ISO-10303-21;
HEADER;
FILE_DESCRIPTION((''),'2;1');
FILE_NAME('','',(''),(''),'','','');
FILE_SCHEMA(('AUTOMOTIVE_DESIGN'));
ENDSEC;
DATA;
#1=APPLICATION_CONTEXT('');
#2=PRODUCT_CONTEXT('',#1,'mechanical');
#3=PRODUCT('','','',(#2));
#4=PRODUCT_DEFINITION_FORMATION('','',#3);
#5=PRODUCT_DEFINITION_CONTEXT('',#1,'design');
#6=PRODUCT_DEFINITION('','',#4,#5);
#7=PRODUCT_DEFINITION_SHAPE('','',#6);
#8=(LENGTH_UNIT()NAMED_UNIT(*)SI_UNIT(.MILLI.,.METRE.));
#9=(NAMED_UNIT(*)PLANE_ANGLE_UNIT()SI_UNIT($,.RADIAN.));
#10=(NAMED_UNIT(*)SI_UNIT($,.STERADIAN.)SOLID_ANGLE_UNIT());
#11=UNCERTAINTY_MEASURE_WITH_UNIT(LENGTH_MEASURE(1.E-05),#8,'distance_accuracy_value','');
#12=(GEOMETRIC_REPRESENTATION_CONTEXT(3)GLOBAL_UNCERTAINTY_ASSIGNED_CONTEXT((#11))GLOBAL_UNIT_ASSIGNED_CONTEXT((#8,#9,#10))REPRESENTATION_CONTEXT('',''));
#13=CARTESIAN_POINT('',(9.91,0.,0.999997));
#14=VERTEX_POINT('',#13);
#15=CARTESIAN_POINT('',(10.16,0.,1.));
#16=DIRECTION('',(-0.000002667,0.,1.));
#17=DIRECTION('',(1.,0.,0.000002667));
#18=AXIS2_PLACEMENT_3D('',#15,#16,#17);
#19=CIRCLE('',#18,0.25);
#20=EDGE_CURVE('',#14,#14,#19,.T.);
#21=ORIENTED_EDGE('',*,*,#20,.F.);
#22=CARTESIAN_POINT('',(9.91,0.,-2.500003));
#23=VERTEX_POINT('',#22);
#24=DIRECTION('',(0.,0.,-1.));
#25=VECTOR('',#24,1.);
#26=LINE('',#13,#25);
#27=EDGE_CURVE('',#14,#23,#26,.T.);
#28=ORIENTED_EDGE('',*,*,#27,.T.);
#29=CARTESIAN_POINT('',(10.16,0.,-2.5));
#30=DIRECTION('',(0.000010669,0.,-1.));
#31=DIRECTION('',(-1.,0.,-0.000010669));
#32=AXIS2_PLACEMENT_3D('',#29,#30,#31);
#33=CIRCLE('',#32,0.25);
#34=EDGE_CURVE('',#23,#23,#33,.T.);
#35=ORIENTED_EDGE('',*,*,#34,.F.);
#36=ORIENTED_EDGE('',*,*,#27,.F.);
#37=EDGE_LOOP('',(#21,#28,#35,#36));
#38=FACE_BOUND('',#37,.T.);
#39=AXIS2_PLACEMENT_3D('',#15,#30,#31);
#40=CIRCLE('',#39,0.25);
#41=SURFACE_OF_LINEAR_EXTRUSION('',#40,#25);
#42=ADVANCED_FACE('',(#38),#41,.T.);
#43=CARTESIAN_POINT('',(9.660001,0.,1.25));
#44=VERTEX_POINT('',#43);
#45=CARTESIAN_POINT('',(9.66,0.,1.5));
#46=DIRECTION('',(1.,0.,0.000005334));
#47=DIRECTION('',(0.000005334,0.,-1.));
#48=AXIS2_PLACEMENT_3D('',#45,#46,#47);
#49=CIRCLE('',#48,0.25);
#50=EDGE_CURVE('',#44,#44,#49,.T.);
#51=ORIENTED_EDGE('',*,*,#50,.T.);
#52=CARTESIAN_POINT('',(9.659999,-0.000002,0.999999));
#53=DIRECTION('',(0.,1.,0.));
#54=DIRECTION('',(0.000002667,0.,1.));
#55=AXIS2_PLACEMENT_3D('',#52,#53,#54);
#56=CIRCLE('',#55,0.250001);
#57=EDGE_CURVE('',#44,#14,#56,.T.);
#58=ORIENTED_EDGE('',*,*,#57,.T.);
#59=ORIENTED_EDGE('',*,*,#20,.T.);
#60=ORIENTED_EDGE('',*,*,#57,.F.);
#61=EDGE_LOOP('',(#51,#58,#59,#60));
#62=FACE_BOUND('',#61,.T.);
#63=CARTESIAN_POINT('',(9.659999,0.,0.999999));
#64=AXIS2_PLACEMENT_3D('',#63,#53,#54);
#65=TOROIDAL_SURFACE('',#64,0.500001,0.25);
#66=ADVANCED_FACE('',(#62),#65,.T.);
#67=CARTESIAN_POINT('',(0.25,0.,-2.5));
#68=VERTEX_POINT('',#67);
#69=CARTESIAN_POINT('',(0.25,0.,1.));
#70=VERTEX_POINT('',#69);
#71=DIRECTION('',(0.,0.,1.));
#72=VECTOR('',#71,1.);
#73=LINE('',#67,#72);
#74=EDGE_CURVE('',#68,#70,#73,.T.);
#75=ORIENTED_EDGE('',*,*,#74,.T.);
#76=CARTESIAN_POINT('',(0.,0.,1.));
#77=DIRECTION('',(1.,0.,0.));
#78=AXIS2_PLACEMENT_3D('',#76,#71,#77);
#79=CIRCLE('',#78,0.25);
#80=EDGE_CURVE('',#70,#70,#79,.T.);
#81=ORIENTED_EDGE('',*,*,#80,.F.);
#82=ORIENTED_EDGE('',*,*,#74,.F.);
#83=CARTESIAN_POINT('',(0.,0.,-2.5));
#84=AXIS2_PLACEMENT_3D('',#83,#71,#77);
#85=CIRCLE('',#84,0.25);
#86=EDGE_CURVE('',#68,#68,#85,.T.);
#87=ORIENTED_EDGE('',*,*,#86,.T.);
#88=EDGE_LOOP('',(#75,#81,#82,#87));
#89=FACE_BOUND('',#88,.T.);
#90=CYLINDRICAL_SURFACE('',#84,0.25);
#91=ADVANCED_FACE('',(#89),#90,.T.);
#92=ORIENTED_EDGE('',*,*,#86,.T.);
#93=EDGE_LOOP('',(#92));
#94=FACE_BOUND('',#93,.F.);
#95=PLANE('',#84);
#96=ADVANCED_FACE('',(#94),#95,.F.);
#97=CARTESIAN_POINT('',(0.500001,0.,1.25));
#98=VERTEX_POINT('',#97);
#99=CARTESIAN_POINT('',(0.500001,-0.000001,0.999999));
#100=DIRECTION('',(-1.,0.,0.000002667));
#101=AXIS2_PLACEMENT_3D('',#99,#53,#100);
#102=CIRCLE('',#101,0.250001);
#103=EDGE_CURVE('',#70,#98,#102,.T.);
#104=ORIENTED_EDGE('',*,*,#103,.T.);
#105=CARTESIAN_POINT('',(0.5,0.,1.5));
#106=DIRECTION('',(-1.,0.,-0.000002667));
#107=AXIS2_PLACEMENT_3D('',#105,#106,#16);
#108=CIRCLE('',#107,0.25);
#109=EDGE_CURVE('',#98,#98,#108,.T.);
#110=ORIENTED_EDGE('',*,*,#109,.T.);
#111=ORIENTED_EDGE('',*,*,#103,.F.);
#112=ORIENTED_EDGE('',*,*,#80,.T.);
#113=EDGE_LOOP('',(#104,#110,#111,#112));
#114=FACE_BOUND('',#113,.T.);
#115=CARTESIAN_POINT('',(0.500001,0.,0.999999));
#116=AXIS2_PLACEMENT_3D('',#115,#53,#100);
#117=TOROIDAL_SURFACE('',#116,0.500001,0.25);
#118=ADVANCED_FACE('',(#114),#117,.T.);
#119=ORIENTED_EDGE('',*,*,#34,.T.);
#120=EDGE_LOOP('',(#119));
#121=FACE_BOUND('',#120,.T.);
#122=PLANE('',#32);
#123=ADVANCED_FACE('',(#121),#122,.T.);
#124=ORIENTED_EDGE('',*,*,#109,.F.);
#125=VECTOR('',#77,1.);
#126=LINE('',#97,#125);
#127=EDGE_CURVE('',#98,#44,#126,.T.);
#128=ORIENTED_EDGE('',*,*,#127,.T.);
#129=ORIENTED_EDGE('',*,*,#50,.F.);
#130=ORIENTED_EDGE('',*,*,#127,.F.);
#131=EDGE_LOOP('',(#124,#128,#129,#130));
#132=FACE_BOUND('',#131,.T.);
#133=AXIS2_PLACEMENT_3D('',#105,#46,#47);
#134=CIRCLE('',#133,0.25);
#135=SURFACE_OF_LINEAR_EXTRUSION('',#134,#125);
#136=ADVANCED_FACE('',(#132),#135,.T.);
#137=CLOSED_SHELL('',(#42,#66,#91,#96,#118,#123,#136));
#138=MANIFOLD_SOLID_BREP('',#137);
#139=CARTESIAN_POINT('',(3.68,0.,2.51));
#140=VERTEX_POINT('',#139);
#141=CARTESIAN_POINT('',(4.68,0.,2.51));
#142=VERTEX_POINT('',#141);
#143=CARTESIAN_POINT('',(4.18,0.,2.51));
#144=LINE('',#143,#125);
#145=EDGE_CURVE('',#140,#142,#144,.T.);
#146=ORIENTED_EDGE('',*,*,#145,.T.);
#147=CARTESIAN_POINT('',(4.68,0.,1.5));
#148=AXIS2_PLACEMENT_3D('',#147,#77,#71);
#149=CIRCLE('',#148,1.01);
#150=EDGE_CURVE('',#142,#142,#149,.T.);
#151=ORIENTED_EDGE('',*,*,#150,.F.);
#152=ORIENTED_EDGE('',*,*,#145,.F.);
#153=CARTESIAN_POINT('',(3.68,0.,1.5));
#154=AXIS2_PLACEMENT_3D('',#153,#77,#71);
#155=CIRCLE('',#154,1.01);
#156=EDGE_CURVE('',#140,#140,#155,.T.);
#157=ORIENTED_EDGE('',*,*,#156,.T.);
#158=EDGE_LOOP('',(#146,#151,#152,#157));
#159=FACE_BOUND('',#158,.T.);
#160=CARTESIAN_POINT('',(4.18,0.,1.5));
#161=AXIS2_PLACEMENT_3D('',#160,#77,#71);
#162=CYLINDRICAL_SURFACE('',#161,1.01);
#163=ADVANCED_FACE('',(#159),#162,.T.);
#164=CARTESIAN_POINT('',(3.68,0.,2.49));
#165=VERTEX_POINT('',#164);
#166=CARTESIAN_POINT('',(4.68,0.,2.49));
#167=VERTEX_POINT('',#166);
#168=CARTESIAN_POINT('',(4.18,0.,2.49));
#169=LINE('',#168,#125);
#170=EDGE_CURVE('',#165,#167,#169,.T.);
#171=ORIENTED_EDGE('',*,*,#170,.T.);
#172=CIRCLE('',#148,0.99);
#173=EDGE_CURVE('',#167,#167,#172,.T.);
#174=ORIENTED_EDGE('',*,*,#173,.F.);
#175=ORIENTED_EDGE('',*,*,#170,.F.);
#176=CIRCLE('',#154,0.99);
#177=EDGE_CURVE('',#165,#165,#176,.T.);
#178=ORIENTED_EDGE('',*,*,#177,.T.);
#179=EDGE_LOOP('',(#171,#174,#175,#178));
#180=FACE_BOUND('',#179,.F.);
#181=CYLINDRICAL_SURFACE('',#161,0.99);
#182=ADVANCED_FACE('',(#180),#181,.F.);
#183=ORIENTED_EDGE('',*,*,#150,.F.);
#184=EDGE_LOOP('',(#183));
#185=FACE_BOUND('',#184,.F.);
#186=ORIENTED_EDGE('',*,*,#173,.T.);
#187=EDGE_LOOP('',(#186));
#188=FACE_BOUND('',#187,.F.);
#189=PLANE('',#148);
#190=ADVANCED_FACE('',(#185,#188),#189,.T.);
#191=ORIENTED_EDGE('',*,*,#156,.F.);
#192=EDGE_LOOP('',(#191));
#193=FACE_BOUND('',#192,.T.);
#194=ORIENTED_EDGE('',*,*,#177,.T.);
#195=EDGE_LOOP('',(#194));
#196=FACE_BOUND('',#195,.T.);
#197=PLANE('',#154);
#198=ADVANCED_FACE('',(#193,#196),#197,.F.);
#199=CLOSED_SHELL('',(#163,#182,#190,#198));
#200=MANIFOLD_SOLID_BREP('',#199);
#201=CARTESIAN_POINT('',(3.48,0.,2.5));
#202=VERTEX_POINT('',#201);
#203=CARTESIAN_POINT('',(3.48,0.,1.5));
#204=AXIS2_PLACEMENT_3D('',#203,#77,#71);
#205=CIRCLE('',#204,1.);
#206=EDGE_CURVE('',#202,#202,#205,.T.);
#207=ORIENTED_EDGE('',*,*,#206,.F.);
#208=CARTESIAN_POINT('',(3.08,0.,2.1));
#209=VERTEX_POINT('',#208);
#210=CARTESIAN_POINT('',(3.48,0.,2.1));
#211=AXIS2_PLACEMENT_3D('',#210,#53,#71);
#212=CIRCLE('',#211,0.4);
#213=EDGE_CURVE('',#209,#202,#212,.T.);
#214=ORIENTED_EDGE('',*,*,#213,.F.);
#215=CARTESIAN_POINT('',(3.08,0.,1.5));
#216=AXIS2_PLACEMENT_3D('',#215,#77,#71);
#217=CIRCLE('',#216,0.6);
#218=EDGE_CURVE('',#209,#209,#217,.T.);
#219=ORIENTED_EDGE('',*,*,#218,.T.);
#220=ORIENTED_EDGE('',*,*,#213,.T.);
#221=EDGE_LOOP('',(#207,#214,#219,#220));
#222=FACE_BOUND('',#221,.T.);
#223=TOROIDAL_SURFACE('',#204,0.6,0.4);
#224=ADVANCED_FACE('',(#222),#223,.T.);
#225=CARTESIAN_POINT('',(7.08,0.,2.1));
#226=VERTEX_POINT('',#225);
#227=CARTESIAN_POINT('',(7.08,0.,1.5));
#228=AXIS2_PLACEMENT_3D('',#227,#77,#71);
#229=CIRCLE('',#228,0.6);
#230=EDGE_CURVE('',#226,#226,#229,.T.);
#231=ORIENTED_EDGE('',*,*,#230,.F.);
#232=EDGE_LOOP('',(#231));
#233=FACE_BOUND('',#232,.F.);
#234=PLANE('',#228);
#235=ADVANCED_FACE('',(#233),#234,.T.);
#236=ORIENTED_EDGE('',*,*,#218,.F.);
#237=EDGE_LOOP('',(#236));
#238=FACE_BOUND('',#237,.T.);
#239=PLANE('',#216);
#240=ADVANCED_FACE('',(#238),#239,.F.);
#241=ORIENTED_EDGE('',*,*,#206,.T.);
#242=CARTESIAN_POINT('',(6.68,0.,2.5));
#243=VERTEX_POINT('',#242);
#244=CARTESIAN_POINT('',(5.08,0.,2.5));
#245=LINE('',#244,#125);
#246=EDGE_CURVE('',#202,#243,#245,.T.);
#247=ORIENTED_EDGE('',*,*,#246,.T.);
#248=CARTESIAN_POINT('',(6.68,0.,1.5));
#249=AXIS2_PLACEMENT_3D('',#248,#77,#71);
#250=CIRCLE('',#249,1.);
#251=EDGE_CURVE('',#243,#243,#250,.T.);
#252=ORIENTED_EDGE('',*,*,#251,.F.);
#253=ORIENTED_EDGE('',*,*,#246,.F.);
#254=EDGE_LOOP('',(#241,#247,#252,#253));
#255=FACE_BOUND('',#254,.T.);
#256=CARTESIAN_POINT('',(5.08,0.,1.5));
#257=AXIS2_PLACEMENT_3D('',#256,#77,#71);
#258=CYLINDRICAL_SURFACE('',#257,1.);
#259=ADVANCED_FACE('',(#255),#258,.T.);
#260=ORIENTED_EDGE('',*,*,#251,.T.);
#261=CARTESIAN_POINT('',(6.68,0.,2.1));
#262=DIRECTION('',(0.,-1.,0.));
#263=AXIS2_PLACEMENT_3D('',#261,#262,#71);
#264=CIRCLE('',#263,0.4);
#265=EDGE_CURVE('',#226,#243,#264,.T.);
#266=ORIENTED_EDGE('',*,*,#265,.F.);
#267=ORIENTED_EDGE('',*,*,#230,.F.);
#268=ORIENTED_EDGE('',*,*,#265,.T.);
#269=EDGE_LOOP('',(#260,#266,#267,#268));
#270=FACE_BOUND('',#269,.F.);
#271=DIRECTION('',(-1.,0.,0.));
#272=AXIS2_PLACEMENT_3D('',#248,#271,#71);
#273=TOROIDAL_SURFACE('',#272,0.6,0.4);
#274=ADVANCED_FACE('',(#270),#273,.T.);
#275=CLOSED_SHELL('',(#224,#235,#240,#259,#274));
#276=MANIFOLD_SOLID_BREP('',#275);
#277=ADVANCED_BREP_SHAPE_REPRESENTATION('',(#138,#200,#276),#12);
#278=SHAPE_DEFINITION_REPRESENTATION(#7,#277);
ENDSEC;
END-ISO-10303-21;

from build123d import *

# Parameters (mm, degrees)
SKETCH002_W = 4
SKETCH002_H = 1
FILLET_R    = 0.4
SKETCH003_W = 1
SKETCH003_H = 0.02
SKETCH_R    = 0.25


with BuildPart() as fillet_body:
    # Sketch002 → Revolution (revolve)
    with BuildSketch(Plane.XZ):
        with Locations((5.08, 2)):
            Rectangle(SKETCH002_W, SKETCH002_H)
    revolve(axis=Axis((3.08, 0, 1.5), (1, 0, 0)))

    # Fillet
    fillet_edges = [fillet_body.edges().sort_by_distance(p)[0] for p in [
        (3.08, 0, 0.5),
        (7.08, 0, 0.5),
    ]]
    fillet(fillet_edges, radius=FILLET_R)


with BuildPart() as revolution001:
    # Sketch003 → Revolution001 (revolve)
    with BuildSketch(Plane.XZ):
        with Locations((4.18, 2.5)):
            Rectangle(SKETCH003_W, SKETCH003_H)
    revolve(axis=Axis((0, 0, 1.5), (1, 0, 0)))


with BuildPart() as sweep_body:
    # Sweep: sweep along a path in Sketch001
    with BuildLine(Plane.XZ) as sweep_path:
        Line((0, -2.5), (0, 1))
        ThreePointArc((0, 1), (0.146447, 1.353553), (0.5, 1.5))
        Line((0.5, 1.5), (9.66, 1.5))
        ThreePointArc((9.66, 1.5), (10.013553, 1.353553), (10.16, 1))
        Line((10.16, 1), (10.16, -2.5))
    # Sketch → Sweep (sweep)
    with BuildSketch(Plane.XY.offset(-2)):
        Circle(SKETCH_R)
    sweep(path=sweep_path.line)


solid = Compound([fillet_body.part, revolution001.part, sweep_body.part])
